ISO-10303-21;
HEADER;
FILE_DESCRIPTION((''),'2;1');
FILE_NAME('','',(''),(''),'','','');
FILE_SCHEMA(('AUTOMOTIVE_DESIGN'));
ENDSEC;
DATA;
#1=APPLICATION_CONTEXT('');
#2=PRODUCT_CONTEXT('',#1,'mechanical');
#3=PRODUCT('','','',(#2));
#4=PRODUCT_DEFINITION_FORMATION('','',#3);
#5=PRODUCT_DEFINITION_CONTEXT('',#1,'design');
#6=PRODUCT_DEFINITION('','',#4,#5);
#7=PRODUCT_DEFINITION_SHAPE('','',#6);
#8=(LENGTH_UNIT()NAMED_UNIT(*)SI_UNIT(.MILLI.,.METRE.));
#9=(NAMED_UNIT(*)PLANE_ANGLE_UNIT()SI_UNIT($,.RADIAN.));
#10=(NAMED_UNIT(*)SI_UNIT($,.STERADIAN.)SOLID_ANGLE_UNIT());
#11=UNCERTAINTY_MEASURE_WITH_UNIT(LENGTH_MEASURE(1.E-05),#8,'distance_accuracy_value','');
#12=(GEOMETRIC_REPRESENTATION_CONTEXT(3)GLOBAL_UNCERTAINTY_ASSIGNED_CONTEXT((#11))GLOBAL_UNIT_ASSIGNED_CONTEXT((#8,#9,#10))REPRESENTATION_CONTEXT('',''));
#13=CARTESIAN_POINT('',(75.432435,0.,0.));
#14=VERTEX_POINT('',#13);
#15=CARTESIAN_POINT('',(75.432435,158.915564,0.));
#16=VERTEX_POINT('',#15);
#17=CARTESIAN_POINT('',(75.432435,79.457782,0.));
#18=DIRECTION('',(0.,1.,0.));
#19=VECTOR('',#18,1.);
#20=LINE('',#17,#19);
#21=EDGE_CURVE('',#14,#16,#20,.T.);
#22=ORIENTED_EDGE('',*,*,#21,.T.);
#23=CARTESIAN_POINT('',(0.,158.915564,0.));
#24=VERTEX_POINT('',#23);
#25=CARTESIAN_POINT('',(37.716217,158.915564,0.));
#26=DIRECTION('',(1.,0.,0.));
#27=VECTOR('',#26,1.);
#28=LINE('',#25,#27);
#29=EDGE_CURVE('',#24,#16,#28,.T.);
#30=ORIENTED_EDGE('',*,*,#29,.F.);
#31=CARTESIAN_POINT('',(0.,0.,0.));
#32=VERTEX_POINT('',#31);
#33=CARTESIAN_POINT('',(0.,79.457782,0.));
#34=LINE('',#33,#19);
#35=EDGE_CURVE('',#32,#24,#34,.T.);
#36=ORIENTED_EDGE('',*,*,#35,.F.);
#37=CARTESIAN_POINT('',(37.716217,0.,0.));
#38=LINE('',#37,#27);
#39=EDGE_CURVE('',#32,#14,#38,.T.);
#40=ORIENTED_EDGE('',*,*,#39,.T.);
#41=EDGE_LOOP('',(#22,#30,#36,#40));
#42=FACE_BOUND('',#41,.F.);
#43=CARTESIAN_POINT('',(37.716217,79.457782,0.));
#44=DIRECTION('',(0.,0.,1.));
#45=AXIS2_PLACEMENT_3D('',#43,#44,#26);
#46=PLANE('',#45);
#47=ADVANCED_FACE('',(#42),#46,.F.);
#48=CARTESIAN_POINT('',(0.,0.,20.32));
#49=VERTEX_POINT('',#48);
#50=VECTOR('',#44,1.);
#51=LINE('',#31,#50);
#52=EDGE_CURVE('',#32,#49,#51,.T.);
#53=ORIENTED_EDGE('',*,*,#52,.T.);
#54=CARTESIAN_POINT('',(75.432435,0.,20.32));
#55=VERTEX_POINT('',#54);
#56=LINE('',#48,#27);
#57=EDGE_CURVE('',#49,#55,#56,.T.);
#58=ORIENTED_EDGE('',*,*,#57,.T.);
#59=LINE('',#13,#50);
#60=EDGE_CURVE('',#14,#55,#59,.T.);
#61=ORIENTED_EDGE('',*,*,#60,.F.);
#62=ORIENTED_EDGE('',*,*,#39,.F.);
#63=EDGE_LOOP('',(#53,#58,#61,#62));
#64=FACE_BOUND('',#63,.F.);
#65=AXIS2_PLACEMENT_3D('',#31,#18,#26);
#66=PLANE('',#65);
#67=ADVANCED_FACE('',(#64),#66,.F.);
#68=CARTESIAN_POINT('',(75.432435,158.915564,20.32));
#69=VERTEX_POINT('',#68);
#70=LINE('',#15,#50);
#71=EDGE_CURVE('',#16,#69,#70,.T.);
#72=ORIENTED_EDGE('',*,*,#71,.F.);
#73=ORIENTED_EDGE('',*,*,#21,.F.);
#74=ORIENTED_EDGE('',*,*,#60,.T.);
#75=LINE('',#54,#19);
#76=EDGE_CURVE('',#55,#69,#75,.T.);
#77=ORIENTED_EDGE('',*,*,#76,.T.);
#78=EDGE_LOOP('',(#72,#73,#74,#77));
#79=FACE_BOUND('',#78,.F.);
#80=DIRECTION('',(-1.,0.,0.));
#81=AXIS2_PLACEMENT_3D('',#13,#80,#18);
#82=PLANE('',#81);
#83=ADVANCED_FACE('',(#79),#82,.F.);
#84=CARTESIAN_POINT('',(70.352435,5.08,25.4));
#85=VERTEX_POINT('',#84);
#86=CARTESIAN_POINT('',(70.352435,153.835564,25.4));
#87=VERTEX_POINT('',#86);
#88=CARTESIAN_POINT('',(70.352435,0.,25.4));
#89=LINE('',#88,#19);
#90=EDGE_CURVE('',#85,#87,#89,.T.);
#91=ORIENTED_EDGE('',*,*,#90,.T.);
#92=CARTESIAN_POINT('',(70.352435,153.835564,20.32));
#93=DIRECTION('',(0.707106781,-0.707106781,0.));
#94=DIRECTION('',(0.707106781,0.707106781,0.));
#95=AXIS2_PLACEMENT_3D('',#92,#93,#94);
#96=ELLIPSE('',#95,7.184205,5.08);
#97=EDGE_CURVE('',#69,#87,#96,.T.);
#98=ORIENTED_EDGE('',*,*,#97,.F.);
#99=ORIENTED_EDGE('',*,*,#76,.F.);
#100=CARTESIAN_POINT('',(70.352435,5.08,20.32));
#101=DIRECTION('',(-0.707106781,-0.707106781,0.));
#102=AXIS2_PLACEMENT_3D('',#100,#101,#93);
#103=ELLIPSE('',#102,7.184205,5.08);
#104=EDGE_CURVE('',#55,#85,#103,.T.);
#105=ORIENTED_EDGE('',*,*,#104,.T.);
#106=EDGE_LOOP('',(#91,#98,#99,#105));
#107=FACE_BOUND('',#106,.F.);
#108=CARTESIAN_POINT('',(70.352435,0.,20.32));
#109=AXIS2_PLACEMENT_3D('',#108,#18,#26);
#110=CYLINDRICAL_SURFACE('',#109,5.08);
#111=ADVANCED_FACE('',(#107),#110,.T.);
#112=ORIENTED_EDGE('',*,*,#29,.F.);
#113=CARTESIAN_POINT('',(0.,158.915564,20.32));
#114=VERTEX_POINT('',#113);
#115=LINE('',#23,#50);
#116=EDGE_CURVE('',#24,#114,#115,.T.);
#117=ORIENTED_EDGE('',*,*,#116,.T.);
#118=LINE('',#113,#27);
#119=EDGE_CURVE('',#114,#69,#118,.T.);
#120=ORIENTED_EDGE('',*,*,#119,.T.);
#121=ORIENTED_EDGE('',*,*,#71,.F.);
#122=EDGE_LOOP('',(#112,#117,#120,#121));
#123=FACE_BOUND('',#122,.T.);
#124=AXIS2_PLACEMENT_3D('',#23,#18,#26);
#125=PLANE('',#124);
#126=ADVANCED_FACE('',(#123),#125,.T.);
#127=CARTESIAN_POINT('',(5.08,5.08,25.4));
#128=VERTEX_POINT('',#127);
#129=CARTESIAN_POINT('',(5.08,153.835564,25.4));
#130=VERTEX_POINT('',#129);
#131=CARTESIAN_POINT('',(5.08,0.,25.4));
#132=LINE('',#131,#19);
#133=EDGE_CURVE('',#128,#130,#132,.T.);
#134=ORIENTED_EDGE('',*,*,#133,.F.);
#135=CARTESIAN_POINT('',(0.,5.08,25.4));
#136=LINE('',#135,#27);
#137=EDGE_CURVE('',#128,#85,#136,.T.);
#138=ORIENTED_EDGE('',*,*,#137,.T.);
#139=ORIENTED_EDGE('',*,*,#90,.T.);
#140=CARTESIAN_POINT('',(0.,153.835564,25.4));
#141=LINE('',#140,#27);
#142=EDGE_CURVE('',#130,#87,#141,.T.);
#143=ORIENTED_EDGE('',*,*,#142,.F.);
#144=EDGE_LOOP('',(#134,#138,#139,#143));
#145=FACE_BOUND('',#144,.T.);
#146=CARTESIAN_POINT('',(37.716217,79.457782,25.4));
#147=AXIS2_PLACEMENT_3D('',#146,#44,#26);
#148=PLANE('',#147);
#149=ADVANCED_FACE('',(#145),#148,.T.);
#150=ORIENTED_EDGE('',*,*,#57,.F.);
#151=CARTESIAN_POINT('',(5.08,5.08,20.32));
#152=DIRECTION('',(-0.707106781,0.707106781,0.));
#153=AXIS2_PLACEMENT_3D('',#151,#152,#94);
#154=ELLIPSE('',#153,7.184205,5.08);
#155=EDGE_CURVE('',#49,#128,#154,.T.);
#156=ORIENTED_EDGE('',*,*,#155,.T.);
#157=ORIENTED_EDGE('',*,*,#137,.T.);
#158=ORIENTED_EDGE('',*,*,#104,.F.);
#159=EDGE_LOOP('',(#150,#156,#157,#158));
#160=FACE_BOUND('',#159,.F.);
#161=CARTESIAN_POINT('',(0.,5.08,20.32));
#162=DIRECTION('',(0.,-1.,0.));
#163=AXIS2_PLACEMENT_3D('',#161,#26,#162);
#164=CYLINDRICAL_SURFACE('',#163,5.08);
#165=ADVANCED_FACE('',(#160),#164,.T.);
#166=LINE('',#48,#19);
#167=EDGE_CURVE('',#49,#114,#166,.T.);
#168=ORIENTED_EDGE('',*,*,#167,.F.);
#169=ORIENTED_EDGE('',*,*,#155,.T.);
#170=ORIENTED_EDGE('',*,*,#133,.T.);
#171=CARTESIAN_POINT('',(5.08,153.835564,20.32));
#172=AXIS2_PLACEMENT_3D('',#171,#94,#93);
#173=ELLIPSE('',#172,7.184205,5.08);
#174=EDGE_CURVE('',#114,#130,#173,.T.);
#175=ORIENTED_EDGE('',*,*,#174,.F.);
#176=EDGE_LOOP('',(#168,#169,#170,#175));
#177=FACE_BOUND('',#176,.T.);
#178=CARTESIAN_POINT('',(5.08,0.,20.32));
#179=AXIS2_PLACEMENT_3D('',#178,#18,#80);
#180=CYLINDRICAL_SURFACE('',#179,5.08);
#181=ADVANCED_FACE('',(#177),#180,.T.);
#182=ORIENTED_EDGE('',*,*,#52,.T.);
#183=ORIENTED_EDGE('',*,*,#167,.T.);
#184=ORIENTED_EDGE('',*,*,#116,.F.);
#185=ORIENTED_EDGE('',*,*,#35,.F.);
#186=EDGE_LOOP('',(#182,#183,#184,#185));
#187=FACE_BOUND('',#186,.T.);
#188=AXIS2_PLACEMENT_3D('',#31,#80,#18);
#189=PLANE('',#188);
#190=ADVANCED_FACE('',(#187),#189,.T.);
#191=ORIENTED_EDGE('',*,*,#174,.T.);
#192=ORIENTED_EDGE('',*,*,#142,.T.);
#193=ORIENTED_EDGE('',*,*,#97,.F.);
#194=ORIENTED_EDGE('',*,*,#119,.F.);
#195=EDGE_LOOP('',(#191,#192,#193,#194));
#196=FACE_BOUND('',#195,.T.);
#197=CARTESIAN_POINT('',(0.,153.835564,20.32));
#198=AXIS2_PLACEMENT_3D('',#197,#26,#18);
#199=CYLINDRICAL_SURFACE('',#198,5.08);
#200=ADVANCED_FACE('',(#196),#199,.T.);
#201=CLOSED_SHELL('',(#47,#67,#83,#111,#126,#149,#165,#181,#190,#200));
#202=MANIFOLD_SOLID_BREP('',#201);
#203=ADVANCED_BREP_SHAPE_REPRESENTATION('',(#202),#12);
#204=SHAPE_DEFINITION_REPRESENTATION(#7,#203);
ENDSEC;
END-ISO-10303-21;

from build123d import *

# Parameters (mm, degrees)
F0_W      = 76.2
F0_H      = 76.2
F1_DEPTH  = 76.2
F2_R      = 5.08
F4_W      = 76.2
F4_H      = 76.2
F5_DEPTH  = 76.2
F6_W      = 50.8
F6_H      = 50.8
F7_DEPTH  = 50.8
F9_W      = 75.4324346781
F9_H      = 158.9155644178
F10_DEPTH = 25.4
F11_R     = 5.08


with BuildPart() as f1:
    # F0 (on Top) → F1 (new body)
    with BuildSketch(Plane.XY):
        with Locations((-38.1, 38.1)):
            Rectangle(F0_W, F0_H)
    extrude(amount=F1_DEPTH)

    # F2
    f2_edges = [f1.edges().sort_by_distance(p)[0] for p in [
        (-38.1, 0, 76.2),
        (0, 0, 38.1),
        (0, 76.2, 38.1),
        (0, 38.1, 0),
        (0, 38.1, 76.2),
        (-38.1, 76.2, 76.2),
        (-76.2, 38.1, 76.2),
        (-76.2, 0, 38.1),
    ]]
    fillet(f2_edges, radius=F2_R)


with BuildPart() as f5:
    # F4 (on Top) → F5 (new body)
    with BuildSketch(Plane.XY):
        with Locations((-38.1, 38.1)):
            Rectangle(F4_W, F4_H)
    extrude(amount=F5_DEPTH)

    # F6 (on face) → F7 (join)
    with BuildSketch(Plane.YZ):
        with Locations((46.7064439595, 25.4)):
            Rectangle(F6_W, F6_H)
    extrude(amount=F7_DEPTH)


with BuildPart() as f10:
    # F9 (on Top) → F10 (new body)
    with BuildSketch(Plane.XY):
        with Locations((37.716217339, 79.4577822089)):
            Rectangle(F9_W, F9_H)
    extrude(amount=F10_DEPTH)

    # F11
    f11_edges = [f10.edges().sort_by_distance(p)[0] for p in [
        (37.716217, 0, 25.4),
        (75.432435, 79.457782, 25.4),
        (37.716217, 158.915564, 25.4),
        (0, 79.457782, 25.4),
    ]]
    fillet(f11_edges, radius=F11_R)


solid = f10.part
